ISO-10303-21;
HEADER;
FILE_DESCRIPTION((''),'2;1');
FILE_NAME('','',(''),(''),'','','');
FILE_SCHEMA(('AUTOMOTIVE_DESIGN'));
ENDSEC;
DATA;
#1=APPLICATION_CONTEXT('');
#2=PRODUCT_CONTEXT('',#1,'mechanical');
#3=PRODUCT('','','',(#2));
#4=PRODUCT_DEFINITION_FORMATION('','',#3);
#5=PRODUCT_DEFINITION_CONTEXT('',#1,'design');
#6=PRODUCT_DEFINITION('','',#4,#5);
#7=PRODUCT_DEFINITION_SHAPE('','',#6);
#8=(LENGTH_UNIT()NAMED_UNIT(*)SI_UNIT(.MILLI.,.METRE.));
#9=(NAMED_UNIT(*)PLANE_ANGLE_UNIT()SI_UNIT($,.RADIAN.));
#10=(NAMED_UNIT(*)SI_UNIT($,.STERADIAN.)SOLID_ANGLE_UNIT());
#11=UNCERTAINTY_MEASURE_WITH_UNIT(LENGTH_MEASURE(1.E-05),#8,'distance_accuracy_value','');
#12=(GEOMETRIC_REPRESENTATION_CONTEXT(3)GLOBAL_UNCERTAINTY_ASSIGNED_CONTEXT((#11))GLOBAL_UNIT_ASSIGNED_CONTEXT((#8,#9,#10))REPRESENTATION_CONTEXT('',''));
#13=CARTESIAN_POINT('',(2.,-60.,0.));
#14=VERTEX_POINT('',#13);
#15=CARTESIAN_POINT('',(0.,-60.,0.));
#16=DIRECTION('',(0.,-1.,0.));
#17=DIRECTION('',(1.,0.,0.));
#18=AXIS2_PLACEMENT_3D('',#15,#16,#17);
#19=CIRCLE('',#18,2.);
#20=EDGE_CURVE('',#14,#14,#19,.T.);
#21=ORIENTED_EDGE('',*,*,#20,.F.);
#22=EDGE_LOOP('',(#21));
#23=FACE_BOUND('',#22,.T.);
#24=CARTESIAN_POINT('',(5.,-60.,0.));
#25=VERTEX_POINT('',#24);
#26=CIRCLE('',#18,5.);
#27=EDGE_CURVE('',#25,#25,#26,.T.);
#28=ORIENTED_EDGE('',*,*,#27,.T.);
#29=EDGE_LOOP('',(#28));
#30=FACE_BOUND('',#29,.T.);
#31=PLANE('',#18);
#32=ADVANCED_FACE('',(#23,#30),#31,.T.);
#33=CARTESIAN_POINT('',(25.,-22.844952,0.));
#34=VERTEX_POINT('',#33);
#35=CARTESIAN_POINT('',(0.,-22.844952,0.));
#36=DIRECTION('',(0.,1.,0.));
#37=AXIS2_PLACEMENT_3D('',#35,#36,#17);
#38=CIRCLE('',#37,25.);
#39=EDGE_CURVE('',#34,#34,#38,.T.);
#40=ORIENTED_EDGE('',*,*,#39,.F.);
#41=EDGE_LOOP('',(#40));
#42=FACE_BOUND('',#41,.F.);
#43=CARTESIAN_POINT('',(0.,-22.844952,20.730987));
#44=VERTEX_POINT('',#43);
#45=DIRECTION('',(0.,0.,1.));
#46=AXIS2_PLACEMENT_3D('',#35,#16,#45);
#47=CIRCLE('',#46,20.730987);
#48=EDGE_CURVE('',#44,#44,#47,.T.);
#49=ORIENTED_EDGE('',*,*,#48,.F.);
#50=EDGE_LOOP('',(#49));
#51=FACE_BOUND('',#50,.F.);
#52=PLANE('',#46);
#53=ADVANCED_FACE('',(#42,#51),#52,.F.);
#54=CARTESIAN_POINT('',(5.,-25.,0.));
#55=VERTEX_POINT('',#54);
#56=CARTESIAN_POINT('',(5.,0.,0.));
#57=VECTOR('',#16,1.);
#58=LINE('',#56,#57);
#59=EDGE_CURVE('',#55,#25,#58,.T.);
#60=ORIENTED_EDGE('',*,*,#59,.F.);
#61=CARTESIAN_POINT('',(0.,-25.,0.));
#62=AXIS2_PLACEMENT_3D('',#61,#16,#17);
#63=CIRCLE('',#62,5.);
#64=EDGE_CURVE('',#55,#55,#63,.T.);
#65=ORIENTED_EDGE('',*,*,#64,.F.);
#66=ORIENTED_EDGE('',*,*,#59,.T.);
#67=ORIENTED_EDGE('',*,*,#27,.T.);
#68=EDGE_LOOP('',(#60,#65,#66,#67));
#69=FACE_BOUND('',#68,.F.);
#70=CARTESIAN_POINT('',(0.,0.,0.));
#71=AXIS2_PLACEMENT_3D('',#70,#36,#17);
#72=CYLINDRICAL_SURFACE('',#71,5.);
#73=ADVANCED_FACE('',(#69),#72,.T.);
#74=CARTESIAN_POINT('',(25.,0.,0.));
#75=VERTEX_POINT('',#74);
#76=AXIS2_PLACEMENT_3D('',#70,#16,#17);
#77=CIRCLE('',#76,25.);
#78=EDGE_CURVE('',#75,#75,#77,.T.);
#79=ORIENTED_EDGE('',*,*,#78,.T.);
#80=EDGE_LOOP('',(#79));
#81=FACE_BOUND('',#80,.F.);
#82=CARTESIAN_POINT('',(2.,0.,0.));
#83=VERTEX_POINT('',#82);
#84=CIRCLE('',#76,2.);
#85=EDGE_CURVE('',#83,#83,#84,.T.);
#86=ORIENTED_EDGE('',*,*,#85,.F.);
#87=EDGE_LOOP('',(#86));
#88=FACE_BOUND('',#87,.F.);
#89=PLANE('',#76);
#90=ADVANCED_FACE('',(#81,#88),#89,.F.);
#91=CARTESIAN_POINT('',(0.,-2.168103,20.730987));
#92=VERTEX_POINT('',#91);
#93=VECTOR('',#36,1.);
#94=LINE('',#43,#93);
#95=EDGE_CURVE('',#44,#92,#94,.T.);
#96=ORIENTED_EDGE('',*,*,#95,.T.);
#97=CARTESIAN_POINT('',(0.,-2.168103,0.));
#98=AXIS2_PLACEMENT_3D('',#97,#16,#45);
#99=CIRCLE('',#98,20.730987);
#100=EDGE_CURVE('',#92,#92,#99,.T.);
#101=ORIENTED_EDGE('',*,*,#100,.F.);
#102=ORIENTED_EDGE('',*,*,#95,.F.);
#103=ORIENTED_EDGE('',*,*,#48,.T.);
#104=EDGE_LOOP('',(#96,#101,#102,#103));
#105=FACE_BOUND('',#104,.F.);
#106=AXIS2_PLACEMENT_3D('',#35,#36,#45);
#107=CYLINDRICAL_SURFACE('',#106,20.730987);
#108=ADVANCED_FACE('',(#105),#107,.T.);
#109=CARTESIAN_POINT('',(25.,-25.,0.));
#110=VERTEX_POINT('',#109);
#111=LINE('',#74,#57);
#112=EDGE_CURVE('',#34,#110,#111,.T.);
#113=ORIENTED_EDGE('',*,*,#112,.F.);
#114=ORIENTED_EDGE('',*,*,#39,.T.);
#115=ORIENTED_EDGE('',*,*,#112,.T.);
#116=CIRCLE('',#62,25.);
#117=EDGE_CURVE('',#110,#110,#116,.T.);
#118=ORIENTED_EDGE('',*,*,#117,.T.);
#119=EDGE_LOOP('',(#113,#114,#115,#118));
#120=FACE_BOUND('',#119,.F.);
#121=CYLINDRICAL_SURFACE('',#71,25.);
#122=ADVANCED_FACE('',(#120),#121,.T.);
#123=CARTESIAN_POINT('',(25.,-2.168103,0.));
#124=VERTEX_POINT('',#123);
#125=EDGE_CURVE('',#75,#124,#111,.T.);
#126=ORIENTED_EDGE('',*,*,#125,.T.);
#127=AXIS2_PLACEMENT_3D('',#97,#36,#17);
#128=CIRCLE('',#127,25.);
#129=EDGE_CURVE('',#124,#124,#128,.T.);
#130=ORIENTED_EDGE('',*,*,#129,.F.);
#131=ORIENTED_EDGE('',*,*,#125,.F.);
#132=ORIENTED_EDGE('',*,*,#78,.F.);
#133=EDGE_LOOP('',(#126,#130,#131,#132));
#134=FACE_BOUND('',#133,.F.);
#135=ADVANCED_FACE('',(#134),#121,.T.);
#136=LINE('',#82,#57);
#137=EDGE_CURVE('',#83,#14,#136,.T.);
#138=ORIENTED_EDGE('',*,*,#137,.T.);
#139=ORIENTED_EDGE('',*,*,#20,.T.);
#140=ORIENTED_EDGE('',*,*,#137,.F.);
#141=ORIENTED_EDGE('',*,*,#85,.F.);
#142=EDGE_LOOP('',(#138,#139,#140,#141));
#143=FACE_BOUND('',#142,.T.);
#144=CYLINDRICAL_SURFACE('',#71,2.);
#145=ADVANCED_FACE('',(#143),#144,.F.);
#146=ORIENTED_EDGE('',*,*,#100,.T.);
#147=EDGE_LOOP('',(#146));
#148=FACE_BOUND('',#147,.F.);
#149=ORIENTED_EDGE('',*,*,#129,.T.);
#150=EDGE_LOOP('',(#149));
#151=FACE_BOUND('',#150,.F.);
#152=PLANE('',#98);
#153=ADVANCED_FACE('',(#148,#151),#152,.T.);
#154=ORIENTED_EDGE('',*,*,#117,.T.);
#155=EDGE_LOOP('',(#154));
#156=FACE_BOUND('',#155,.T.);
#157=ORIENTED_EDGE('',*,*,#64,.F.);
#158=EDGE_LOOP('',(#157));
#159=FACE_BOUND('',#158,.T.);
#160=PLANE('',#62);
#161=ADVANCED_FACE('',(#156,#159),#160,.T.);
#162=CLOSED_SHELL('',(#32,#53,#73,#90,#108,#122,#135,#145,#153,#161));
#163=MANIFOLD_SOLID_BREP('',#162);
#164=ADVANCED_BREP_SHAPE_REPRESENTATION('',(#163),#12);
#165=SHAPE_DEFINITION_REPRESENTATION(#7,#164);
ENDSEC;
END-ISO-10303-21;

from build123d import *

# Parameters (mm, degrees)
F0_R     = 25
F0_R_2   = 5
F1_DEPTH = 25
F0_R_3   = 2
F2_DEPTH = 60


with BuildPart() as f1:
    # F0 (on Front) → F1 (new body)
    with BuildSketch(Plane.XZ):
        Circle(F0_R)
        Circle(F0_R_2, mode=Mode.SUBTRACT)
    extrude(amount=F1_DEPTH)

    # F0 (on Front) → F2 (join)
    with BuildSketch(Plane.XZ):
        Circle(F0_R_2)
        Circle(F0_R_3, mode=Mode.SUBTRACT)
    extrude(amount=F2_DEPTH)

    # F3 (on Right) → F4 (revolve, cut)
    with BuildSketch(Plane.YZ):
        Polygon((-2.168103, 20.730987), (-2.168103, 26.635021), (-22.844952, 26.710875), (-22.844952, 20.730987), align=None)
    revolve(axis=Axis((0, -34.338176, 0), (0, -1, 0)), mode=Mode.SUBTRACT)


solid = f1.part
